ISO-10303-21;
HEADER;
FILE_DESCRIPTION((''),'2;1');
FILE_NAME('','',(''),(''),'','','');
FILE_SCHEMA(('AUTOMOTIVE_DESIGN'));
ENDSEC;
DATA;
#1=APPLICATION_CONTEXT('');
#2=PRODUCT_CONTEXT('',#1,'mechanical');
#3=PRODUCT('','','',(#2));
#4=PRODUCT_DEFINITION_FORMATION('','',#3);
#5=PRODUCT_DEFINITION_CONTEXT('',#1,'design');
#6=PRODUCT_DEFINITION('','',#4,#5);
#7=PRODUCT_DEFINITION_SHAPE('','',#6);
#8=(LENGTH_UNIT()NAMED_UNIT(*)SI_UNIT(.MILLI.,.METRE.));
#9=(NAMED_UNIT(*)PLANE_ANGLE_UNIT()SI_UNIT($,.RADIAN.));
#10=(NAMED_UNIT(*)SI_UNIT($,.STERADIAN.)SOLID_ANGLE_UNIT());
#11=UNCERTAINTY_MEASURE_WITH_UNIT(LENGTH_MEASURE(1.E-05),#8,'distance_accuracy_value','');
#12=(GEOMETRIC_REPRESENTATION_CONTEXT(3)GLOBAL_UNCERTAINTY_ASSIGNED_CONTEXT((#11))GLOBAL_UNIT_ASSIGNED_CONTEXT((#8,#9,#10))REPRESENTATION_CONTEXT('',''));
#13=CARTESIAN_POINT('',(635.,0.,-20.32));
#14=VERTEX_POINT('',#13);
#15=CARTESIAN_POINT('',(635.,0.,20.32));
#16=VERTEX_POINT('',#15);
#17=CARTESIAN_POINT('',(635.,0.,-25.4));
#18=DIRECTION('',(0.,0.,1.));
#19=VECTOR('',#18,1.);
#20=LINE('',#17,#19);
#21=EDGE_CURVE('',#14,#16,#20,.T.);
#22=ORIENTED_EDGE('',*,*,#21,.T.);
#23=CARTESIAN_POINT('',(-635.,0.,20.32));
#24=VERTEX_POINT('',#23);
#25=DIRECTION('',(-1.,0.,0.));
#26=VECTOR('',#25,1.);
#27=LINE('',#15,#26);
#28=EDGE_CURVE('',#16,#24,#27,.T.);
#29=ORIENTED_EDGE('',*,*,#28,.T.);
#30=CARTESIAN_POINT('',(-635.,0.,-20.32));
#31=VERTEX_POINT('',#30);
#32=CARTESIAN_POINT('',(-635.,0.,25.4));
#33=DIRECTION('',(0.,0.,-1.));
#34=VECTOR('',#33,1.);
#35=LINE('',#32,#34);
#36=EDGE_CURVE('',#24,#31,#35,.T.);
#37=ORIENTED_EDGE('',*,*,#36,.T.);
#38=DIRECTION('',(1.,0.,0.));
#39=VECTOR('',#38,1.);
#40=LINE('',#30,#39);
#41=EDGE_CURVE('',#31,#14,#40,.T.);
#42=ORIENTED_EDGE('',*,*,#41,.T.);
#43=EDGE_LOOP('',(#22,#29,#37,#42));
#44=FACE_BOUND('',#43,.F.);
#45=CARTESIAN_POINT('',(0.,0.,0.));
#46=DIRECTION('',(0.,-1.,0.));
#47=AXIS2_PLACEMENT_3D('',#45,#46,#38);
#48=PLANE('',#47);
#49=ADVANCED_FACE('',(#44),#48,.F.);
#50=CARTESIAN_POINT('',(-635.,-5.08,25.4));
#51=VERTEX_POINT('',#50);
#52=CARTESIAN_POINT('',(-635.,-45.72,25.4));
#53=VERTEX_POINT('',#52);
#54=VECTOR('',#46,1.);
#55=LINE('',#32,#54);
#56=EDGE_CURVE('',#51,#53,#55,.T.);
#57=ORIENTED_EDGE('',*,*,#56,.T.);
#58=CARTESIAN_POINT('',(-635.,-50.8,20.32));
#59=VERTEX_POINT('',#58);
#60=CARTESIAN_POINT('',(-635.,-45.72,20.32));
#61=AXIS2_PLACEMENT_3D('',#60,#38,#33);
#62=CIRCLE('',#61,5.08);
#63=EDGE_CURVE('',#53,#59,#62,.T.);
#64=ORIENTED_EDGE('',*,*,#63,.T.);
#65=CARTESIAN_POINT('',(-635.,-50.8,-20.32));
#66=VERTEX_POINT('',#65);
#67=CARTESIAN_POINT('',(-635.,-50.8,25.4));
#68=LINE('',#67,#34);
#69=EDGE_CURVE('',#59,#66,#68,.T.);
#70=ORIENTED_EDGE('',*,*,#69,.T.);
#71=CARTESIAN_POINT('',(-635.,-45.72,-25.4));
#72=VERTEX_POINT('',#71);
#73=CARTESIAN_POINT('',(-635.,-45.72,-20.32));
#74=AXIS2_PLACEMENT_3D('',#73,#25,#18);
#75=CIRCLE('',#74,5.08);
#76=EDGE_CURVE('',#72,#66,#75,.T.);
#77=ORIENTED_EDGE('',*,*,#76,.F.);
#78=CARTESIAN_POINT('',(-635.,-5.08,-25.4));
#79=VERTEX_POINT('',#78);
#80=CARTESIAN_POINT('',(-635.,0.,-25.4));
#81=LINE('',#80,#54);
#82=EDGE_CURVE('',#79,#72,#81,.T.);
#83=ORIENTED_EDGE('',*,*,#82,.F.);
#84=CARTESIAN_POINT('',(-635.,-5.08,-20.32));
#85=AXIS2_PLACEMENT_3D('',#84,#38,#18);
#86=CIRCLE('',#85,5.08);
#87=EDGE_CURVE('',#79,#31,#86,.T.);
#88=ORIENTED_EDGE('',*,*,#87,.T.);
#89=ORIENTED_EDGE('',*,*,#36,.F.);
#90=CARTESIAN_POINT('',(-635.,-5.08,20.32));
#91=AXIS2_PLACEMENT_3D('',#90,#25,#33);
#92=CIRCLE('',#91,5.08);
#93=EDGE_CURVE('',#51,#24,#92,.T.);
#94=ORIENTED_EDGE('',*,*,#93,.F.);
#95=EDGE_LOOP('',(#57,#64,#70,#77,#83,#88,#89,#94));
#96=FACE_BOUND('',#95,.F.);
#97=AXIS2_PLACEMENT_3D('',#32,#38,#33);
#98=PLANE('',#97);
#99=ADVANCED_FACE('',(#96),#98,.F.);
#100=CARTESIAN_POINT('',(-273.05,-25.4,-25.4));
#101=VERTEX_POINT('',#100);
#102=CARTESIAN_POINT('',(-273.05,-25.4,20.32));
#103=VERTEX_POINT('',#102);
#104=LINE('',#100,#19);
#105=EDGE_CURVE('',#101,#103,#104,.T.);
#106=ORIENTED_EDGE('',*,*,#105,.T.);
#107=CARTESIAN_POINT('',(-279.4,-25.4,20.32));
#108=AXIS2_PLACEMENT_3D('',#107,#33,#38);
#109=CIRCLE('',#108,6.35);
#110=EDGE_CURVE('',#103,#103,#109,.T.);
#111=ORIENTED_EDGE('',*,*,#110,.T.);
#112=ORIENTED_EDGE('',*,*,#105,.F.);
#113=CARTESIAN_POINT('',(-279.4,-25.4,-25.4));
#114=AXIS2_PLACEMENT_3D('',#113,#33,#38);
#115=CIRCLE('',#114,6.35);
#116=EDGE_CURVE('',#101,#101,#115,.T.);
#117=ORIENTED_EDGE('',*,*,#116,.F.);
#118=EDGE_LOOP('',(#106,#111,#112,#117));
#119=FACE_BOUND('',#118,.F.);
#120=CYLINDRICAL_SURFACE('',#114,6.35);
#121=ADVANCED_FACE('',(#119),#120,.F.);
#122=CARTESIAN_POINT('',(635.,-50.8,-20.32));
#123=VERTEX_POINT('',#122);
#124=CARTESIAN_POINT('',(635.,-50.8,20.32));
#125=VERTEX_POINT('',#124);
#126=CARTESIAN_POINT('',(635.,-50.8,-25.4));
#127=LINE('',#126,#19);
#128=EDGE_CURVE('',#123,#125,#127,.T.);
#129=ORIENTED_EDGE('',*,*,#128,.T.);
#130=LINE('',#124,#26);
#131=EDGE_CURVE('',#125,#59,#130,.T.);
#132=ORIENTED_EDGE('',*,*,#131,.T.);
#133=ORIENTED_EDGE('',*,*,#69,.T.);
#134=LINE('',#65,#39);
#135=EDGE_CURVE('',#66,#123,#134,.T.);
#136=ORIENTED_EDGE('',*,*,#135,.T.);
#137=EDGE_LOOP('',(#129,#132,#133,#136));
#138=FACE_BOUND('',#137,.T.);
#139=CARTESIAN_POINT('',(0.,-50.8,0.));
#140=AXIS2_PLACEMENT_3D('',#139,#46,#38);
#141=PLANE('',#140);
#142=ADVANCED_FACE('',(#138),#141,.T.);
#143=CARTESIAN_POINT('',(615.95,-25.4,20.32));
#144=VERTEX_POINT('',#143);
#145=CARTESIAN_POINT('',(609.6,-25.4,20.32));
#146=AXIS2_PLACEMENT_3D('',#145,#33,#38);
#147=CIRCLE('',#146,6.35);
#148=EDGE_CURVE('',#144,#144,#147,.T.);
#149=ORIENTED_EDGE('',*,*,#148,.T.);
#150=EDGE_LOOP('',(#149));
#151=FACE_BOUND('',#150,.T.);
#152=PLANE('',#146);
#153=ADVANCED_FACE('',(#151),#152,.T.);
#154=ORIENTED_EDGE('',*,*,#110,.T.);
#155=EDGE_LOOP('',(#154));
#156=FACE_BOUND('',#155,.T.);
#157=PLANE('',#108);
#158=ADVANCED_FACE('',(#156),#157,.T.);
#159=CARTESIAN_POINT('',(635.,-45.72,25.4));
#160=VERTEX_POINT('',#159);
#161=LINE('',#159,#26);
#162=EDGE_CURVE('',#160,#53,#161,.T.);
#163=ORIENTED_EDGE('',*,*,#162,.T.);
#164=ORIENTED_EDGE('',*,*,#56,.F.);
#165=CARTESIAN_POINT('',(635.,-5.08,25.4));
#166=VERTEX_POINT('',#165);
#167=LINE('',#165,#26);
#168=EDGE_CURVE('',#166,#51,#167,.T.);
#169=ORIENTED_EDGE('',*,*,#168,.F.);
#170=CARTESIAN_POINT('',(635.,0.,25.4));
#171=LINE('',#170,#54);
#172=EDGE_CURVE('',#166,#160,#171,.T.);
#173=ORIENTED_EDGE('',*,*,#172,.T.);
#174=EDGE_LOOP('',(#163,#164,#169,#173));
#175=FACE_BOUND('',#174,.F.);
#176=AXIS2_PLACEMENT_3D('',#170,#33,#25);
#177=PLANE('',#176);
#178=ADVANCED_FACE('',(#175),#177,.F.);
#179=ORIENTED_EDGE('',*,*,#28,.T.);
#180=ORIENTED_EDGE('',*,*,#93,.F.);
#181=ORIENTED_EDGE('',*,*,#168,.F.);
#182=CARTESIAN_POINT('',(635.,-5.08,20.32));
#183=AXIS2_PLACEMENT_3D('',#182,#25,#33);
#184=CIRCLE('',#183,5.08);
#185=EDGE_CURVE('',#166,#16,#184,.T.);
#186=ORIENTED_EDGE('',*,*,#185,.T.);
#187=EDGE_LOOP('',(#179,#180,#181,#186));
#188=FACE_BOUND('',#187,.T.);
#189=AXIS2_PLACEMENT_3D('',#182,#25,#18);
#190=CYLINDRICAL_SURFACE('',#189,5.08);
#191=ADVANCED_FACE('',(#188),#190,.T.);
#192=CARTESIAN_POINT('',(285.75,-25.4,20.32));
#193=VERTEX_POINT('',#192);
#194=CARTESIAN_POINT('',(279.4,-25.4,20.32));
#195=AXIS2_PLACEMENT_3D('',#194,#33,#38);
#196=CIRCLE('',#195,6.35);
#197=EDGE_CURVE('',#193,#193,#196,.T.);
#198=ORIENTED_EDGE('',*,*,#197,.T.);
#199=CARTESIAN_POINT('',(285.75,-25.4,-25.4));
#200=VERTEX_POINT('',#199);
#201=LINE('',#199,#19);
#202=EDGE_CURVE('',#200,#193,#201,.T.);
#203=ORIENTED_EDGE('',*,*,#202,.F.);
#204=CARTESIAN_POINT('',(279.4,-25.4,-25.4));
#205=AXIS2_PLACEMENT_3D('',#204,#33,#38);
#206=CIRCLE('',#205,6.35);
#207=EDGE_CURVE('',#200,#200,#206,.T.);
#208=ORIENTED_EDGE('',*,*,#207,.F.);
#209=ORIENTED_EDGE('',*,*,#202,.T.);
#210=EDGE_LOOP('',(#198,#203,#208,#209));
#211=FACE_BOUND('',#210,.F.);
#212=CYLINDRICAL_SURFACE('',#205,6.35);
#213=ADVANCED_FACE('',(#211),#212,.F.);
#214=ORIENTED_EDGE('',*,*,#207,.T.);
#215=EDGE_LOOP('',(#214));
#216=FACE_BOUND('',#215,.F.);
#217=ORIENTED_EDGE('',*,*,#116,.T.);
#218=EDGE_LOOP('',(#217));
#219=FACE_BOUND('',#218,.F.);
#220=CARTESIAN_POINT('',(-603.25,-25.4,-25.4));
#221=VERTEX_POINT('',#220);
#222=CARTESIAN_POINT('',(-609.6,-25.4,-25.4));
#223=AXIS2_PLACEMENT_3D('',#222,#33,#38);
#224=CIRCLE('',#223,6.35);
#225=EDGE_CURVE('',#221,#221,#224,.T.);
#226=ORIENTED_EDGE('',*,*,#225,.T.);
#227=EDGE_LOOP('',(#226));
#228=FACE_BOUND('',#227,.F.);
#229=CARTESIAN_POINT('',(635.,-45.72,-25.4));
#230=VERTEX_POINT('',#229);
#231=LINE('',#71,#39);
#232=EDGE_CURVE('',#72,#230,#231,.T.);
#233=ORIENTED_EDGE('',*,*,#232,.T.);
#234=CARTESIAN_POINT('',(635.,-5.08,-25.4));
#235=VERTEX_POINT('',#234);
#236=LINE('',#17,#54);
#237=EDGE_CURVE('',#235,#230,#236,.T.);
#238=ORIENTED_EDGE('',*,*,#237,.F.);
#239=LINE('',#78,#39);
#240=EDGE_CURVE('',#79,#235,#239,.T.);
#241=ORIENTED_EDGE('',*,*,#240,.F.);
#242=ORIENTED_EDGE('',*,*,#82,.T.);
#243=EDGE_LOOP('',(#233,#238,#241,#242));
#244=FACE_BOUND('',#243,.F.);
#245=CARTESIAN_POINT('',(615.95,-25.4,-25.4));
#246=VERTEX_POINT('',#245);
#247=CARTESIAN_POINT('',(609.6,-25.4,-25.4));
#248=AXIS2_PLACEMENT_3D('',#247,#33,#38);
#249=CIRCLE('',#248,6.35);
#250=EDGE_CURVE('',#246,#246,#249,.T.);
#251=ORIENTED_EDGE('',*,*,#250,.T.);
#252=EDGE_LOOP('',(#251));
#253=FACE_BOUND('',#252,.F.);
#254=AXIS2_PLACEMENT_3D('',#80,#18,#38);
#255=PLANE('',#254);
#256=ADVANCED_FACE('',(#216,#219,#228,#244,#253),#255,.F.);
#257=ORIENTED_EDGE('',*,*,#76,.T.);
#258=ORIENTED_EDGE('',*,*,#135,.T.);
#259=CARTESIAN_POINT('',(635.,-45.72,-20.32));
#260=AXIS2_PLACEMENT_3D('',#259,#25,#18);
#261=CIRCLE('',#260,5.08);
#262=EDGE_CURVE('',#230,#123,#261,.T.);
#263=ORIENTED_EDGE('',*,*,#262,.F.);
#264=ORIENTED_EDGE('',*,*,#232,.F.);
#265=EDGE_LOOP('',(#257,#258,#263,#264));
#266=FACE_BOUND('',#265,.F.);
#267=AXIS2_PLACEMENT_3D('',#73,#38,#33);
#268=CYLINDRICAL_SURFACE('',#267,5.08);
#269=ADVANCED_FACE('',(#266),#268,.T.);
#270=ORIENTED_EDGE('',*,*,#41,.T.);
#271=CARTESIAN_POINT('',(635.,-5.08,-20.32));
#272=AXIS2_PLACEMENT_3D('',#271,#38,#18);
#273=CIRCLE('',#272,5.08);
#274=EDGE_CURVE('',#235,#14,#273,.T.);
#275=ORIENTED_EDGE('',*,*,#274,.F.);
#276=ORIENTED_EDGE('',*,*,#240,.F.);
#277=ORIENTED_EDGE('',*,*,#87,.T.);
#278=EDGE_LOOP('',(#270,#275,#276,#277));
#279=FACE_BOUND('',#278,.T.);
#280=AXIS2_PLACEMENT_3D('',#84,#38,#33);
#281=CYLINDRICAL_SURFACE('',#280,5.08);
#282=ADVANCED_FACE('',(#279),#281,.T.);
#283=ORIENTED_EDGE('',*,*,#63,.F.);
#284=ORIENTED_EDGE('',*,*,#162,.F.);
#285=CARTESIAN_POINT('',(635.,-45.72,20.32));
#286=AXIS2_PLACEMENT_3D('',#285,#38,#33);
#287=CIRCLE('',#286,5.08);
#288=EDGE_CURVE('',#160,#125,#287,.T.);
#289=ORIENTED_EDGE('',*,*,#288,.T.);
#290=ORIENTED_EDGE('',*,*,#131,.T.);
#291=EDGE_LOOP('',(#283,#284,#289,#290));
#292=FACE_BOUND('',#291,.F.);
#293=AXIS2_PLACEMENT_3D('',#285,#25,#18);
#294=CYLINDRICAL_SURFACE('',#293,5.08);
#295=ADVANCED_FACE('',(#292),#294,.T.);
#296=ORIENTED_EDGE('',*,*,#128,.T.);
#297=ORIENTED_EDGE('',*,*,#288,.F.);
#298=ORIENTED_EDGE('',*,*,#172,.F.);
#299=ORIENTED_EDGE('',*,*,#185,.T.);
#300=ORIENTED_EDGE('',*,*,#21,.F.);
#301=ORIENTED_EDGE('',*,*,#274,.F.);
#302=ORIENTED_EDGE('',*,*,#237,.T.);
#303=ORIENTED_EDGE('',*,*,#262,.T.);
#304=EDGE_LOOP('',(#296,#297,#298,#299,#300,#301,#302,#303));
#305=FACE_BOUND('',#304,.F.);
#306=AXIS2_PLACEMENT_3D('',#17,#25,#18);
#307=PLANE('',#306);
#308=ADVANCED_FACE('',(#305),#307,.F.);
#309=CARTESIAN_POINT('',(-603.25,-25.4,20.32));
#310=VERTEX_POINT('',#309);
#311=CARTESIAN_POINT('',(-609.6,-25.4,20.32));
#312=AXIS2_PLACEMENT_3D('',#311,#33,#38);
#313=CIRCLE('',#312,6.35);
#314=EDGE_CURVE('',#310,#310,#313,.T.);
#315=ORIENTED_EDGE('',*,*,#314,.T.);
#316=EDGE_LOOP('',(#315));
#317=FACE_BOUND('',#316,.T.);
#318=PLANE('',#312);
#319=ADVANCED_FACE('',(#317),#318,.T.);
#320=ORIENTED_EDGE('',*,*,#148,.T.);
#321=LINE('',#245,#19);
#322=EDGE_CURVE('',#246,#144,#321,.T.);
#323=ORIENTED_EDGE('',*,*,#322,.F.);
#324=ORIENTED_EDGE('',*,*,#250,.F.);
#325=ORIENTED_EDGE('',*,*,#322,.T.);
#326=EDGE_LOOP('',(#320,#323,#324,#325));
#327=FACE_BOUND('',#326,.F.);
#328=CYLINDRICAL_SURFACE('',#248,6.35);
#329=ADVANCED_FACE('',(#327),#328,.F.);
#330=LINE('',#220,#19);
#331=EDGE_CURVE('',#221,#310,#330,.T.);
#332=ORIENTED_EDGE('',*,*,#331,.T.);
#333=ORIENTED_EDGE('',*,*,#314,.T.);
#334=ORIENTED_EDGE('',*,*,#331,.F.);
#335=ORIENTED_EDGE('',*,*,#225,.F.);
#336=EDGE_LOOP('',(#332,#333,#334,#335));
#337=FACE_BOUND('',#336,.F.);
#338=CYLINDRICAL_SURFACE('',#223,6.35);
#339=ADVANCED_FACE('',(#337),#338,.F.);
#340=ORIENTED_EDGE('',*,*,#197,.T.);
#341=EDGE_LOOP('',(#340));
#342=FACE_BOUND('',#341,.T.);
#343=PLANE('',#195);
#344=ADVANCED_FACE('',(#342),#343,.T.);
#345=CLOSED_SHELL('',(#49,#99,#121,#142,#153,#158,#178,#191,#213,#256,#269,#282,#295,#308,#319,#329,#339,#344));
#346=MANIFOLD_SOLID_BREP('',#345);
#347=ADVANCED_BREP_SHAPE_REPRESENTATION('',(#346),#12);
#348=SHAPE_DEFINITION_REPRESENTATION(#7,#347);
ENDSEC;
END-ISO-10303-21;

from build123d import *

# Parameters (mm, degrees)
F1_DEPTH = 50.8
F2_R     = 5.08
F3_R     = 6.35
F4_DEPTH = 45.72


with BuildPart() as f1:
    # F0 (on Front) → F1 (new body)
    with BuildSketch(Plane.XZ):
        Polygon((635, 25.4), (0, 25.4), (-635, 25.4), (-635, 0), (-635, -25.4), (0, -25.4), (635, -25.4), (635, 0), align=None)
    extrude(amount=F1_DEPTH)

    # F2
    f2_edges = [f1.edges().sort_by_distance(p)[0] for p in [
        (0, -50.8, 25.4),
        (0, 0, 25.4),
        (0, -50.8, -25.4),
        (0, 0, -25.4),
    ]]
    fillet(f2_edges, radius=F2_R)

    # F3 (on face) → F4 (cut)
    with BuildSketch(Plane(origin=(0, 0, -25.4), x_dir=(1, 0, 0), z_dir=(0, 0, -1))):
        with Locations((279.4, 25.4)):
            Circle(F3_R)
        with Locations((609.6, 25.4)):
            Circle(F3_R)
        with Locations((-279.4, 25.4)):
            Circle(F3_R)
        with Locations((-609.6, 25.4)):
            Circle(F3_R)
    extrude(amount=-F4_DEPTH, mode=Mode.SUBTRACT)


solid = f1.part
